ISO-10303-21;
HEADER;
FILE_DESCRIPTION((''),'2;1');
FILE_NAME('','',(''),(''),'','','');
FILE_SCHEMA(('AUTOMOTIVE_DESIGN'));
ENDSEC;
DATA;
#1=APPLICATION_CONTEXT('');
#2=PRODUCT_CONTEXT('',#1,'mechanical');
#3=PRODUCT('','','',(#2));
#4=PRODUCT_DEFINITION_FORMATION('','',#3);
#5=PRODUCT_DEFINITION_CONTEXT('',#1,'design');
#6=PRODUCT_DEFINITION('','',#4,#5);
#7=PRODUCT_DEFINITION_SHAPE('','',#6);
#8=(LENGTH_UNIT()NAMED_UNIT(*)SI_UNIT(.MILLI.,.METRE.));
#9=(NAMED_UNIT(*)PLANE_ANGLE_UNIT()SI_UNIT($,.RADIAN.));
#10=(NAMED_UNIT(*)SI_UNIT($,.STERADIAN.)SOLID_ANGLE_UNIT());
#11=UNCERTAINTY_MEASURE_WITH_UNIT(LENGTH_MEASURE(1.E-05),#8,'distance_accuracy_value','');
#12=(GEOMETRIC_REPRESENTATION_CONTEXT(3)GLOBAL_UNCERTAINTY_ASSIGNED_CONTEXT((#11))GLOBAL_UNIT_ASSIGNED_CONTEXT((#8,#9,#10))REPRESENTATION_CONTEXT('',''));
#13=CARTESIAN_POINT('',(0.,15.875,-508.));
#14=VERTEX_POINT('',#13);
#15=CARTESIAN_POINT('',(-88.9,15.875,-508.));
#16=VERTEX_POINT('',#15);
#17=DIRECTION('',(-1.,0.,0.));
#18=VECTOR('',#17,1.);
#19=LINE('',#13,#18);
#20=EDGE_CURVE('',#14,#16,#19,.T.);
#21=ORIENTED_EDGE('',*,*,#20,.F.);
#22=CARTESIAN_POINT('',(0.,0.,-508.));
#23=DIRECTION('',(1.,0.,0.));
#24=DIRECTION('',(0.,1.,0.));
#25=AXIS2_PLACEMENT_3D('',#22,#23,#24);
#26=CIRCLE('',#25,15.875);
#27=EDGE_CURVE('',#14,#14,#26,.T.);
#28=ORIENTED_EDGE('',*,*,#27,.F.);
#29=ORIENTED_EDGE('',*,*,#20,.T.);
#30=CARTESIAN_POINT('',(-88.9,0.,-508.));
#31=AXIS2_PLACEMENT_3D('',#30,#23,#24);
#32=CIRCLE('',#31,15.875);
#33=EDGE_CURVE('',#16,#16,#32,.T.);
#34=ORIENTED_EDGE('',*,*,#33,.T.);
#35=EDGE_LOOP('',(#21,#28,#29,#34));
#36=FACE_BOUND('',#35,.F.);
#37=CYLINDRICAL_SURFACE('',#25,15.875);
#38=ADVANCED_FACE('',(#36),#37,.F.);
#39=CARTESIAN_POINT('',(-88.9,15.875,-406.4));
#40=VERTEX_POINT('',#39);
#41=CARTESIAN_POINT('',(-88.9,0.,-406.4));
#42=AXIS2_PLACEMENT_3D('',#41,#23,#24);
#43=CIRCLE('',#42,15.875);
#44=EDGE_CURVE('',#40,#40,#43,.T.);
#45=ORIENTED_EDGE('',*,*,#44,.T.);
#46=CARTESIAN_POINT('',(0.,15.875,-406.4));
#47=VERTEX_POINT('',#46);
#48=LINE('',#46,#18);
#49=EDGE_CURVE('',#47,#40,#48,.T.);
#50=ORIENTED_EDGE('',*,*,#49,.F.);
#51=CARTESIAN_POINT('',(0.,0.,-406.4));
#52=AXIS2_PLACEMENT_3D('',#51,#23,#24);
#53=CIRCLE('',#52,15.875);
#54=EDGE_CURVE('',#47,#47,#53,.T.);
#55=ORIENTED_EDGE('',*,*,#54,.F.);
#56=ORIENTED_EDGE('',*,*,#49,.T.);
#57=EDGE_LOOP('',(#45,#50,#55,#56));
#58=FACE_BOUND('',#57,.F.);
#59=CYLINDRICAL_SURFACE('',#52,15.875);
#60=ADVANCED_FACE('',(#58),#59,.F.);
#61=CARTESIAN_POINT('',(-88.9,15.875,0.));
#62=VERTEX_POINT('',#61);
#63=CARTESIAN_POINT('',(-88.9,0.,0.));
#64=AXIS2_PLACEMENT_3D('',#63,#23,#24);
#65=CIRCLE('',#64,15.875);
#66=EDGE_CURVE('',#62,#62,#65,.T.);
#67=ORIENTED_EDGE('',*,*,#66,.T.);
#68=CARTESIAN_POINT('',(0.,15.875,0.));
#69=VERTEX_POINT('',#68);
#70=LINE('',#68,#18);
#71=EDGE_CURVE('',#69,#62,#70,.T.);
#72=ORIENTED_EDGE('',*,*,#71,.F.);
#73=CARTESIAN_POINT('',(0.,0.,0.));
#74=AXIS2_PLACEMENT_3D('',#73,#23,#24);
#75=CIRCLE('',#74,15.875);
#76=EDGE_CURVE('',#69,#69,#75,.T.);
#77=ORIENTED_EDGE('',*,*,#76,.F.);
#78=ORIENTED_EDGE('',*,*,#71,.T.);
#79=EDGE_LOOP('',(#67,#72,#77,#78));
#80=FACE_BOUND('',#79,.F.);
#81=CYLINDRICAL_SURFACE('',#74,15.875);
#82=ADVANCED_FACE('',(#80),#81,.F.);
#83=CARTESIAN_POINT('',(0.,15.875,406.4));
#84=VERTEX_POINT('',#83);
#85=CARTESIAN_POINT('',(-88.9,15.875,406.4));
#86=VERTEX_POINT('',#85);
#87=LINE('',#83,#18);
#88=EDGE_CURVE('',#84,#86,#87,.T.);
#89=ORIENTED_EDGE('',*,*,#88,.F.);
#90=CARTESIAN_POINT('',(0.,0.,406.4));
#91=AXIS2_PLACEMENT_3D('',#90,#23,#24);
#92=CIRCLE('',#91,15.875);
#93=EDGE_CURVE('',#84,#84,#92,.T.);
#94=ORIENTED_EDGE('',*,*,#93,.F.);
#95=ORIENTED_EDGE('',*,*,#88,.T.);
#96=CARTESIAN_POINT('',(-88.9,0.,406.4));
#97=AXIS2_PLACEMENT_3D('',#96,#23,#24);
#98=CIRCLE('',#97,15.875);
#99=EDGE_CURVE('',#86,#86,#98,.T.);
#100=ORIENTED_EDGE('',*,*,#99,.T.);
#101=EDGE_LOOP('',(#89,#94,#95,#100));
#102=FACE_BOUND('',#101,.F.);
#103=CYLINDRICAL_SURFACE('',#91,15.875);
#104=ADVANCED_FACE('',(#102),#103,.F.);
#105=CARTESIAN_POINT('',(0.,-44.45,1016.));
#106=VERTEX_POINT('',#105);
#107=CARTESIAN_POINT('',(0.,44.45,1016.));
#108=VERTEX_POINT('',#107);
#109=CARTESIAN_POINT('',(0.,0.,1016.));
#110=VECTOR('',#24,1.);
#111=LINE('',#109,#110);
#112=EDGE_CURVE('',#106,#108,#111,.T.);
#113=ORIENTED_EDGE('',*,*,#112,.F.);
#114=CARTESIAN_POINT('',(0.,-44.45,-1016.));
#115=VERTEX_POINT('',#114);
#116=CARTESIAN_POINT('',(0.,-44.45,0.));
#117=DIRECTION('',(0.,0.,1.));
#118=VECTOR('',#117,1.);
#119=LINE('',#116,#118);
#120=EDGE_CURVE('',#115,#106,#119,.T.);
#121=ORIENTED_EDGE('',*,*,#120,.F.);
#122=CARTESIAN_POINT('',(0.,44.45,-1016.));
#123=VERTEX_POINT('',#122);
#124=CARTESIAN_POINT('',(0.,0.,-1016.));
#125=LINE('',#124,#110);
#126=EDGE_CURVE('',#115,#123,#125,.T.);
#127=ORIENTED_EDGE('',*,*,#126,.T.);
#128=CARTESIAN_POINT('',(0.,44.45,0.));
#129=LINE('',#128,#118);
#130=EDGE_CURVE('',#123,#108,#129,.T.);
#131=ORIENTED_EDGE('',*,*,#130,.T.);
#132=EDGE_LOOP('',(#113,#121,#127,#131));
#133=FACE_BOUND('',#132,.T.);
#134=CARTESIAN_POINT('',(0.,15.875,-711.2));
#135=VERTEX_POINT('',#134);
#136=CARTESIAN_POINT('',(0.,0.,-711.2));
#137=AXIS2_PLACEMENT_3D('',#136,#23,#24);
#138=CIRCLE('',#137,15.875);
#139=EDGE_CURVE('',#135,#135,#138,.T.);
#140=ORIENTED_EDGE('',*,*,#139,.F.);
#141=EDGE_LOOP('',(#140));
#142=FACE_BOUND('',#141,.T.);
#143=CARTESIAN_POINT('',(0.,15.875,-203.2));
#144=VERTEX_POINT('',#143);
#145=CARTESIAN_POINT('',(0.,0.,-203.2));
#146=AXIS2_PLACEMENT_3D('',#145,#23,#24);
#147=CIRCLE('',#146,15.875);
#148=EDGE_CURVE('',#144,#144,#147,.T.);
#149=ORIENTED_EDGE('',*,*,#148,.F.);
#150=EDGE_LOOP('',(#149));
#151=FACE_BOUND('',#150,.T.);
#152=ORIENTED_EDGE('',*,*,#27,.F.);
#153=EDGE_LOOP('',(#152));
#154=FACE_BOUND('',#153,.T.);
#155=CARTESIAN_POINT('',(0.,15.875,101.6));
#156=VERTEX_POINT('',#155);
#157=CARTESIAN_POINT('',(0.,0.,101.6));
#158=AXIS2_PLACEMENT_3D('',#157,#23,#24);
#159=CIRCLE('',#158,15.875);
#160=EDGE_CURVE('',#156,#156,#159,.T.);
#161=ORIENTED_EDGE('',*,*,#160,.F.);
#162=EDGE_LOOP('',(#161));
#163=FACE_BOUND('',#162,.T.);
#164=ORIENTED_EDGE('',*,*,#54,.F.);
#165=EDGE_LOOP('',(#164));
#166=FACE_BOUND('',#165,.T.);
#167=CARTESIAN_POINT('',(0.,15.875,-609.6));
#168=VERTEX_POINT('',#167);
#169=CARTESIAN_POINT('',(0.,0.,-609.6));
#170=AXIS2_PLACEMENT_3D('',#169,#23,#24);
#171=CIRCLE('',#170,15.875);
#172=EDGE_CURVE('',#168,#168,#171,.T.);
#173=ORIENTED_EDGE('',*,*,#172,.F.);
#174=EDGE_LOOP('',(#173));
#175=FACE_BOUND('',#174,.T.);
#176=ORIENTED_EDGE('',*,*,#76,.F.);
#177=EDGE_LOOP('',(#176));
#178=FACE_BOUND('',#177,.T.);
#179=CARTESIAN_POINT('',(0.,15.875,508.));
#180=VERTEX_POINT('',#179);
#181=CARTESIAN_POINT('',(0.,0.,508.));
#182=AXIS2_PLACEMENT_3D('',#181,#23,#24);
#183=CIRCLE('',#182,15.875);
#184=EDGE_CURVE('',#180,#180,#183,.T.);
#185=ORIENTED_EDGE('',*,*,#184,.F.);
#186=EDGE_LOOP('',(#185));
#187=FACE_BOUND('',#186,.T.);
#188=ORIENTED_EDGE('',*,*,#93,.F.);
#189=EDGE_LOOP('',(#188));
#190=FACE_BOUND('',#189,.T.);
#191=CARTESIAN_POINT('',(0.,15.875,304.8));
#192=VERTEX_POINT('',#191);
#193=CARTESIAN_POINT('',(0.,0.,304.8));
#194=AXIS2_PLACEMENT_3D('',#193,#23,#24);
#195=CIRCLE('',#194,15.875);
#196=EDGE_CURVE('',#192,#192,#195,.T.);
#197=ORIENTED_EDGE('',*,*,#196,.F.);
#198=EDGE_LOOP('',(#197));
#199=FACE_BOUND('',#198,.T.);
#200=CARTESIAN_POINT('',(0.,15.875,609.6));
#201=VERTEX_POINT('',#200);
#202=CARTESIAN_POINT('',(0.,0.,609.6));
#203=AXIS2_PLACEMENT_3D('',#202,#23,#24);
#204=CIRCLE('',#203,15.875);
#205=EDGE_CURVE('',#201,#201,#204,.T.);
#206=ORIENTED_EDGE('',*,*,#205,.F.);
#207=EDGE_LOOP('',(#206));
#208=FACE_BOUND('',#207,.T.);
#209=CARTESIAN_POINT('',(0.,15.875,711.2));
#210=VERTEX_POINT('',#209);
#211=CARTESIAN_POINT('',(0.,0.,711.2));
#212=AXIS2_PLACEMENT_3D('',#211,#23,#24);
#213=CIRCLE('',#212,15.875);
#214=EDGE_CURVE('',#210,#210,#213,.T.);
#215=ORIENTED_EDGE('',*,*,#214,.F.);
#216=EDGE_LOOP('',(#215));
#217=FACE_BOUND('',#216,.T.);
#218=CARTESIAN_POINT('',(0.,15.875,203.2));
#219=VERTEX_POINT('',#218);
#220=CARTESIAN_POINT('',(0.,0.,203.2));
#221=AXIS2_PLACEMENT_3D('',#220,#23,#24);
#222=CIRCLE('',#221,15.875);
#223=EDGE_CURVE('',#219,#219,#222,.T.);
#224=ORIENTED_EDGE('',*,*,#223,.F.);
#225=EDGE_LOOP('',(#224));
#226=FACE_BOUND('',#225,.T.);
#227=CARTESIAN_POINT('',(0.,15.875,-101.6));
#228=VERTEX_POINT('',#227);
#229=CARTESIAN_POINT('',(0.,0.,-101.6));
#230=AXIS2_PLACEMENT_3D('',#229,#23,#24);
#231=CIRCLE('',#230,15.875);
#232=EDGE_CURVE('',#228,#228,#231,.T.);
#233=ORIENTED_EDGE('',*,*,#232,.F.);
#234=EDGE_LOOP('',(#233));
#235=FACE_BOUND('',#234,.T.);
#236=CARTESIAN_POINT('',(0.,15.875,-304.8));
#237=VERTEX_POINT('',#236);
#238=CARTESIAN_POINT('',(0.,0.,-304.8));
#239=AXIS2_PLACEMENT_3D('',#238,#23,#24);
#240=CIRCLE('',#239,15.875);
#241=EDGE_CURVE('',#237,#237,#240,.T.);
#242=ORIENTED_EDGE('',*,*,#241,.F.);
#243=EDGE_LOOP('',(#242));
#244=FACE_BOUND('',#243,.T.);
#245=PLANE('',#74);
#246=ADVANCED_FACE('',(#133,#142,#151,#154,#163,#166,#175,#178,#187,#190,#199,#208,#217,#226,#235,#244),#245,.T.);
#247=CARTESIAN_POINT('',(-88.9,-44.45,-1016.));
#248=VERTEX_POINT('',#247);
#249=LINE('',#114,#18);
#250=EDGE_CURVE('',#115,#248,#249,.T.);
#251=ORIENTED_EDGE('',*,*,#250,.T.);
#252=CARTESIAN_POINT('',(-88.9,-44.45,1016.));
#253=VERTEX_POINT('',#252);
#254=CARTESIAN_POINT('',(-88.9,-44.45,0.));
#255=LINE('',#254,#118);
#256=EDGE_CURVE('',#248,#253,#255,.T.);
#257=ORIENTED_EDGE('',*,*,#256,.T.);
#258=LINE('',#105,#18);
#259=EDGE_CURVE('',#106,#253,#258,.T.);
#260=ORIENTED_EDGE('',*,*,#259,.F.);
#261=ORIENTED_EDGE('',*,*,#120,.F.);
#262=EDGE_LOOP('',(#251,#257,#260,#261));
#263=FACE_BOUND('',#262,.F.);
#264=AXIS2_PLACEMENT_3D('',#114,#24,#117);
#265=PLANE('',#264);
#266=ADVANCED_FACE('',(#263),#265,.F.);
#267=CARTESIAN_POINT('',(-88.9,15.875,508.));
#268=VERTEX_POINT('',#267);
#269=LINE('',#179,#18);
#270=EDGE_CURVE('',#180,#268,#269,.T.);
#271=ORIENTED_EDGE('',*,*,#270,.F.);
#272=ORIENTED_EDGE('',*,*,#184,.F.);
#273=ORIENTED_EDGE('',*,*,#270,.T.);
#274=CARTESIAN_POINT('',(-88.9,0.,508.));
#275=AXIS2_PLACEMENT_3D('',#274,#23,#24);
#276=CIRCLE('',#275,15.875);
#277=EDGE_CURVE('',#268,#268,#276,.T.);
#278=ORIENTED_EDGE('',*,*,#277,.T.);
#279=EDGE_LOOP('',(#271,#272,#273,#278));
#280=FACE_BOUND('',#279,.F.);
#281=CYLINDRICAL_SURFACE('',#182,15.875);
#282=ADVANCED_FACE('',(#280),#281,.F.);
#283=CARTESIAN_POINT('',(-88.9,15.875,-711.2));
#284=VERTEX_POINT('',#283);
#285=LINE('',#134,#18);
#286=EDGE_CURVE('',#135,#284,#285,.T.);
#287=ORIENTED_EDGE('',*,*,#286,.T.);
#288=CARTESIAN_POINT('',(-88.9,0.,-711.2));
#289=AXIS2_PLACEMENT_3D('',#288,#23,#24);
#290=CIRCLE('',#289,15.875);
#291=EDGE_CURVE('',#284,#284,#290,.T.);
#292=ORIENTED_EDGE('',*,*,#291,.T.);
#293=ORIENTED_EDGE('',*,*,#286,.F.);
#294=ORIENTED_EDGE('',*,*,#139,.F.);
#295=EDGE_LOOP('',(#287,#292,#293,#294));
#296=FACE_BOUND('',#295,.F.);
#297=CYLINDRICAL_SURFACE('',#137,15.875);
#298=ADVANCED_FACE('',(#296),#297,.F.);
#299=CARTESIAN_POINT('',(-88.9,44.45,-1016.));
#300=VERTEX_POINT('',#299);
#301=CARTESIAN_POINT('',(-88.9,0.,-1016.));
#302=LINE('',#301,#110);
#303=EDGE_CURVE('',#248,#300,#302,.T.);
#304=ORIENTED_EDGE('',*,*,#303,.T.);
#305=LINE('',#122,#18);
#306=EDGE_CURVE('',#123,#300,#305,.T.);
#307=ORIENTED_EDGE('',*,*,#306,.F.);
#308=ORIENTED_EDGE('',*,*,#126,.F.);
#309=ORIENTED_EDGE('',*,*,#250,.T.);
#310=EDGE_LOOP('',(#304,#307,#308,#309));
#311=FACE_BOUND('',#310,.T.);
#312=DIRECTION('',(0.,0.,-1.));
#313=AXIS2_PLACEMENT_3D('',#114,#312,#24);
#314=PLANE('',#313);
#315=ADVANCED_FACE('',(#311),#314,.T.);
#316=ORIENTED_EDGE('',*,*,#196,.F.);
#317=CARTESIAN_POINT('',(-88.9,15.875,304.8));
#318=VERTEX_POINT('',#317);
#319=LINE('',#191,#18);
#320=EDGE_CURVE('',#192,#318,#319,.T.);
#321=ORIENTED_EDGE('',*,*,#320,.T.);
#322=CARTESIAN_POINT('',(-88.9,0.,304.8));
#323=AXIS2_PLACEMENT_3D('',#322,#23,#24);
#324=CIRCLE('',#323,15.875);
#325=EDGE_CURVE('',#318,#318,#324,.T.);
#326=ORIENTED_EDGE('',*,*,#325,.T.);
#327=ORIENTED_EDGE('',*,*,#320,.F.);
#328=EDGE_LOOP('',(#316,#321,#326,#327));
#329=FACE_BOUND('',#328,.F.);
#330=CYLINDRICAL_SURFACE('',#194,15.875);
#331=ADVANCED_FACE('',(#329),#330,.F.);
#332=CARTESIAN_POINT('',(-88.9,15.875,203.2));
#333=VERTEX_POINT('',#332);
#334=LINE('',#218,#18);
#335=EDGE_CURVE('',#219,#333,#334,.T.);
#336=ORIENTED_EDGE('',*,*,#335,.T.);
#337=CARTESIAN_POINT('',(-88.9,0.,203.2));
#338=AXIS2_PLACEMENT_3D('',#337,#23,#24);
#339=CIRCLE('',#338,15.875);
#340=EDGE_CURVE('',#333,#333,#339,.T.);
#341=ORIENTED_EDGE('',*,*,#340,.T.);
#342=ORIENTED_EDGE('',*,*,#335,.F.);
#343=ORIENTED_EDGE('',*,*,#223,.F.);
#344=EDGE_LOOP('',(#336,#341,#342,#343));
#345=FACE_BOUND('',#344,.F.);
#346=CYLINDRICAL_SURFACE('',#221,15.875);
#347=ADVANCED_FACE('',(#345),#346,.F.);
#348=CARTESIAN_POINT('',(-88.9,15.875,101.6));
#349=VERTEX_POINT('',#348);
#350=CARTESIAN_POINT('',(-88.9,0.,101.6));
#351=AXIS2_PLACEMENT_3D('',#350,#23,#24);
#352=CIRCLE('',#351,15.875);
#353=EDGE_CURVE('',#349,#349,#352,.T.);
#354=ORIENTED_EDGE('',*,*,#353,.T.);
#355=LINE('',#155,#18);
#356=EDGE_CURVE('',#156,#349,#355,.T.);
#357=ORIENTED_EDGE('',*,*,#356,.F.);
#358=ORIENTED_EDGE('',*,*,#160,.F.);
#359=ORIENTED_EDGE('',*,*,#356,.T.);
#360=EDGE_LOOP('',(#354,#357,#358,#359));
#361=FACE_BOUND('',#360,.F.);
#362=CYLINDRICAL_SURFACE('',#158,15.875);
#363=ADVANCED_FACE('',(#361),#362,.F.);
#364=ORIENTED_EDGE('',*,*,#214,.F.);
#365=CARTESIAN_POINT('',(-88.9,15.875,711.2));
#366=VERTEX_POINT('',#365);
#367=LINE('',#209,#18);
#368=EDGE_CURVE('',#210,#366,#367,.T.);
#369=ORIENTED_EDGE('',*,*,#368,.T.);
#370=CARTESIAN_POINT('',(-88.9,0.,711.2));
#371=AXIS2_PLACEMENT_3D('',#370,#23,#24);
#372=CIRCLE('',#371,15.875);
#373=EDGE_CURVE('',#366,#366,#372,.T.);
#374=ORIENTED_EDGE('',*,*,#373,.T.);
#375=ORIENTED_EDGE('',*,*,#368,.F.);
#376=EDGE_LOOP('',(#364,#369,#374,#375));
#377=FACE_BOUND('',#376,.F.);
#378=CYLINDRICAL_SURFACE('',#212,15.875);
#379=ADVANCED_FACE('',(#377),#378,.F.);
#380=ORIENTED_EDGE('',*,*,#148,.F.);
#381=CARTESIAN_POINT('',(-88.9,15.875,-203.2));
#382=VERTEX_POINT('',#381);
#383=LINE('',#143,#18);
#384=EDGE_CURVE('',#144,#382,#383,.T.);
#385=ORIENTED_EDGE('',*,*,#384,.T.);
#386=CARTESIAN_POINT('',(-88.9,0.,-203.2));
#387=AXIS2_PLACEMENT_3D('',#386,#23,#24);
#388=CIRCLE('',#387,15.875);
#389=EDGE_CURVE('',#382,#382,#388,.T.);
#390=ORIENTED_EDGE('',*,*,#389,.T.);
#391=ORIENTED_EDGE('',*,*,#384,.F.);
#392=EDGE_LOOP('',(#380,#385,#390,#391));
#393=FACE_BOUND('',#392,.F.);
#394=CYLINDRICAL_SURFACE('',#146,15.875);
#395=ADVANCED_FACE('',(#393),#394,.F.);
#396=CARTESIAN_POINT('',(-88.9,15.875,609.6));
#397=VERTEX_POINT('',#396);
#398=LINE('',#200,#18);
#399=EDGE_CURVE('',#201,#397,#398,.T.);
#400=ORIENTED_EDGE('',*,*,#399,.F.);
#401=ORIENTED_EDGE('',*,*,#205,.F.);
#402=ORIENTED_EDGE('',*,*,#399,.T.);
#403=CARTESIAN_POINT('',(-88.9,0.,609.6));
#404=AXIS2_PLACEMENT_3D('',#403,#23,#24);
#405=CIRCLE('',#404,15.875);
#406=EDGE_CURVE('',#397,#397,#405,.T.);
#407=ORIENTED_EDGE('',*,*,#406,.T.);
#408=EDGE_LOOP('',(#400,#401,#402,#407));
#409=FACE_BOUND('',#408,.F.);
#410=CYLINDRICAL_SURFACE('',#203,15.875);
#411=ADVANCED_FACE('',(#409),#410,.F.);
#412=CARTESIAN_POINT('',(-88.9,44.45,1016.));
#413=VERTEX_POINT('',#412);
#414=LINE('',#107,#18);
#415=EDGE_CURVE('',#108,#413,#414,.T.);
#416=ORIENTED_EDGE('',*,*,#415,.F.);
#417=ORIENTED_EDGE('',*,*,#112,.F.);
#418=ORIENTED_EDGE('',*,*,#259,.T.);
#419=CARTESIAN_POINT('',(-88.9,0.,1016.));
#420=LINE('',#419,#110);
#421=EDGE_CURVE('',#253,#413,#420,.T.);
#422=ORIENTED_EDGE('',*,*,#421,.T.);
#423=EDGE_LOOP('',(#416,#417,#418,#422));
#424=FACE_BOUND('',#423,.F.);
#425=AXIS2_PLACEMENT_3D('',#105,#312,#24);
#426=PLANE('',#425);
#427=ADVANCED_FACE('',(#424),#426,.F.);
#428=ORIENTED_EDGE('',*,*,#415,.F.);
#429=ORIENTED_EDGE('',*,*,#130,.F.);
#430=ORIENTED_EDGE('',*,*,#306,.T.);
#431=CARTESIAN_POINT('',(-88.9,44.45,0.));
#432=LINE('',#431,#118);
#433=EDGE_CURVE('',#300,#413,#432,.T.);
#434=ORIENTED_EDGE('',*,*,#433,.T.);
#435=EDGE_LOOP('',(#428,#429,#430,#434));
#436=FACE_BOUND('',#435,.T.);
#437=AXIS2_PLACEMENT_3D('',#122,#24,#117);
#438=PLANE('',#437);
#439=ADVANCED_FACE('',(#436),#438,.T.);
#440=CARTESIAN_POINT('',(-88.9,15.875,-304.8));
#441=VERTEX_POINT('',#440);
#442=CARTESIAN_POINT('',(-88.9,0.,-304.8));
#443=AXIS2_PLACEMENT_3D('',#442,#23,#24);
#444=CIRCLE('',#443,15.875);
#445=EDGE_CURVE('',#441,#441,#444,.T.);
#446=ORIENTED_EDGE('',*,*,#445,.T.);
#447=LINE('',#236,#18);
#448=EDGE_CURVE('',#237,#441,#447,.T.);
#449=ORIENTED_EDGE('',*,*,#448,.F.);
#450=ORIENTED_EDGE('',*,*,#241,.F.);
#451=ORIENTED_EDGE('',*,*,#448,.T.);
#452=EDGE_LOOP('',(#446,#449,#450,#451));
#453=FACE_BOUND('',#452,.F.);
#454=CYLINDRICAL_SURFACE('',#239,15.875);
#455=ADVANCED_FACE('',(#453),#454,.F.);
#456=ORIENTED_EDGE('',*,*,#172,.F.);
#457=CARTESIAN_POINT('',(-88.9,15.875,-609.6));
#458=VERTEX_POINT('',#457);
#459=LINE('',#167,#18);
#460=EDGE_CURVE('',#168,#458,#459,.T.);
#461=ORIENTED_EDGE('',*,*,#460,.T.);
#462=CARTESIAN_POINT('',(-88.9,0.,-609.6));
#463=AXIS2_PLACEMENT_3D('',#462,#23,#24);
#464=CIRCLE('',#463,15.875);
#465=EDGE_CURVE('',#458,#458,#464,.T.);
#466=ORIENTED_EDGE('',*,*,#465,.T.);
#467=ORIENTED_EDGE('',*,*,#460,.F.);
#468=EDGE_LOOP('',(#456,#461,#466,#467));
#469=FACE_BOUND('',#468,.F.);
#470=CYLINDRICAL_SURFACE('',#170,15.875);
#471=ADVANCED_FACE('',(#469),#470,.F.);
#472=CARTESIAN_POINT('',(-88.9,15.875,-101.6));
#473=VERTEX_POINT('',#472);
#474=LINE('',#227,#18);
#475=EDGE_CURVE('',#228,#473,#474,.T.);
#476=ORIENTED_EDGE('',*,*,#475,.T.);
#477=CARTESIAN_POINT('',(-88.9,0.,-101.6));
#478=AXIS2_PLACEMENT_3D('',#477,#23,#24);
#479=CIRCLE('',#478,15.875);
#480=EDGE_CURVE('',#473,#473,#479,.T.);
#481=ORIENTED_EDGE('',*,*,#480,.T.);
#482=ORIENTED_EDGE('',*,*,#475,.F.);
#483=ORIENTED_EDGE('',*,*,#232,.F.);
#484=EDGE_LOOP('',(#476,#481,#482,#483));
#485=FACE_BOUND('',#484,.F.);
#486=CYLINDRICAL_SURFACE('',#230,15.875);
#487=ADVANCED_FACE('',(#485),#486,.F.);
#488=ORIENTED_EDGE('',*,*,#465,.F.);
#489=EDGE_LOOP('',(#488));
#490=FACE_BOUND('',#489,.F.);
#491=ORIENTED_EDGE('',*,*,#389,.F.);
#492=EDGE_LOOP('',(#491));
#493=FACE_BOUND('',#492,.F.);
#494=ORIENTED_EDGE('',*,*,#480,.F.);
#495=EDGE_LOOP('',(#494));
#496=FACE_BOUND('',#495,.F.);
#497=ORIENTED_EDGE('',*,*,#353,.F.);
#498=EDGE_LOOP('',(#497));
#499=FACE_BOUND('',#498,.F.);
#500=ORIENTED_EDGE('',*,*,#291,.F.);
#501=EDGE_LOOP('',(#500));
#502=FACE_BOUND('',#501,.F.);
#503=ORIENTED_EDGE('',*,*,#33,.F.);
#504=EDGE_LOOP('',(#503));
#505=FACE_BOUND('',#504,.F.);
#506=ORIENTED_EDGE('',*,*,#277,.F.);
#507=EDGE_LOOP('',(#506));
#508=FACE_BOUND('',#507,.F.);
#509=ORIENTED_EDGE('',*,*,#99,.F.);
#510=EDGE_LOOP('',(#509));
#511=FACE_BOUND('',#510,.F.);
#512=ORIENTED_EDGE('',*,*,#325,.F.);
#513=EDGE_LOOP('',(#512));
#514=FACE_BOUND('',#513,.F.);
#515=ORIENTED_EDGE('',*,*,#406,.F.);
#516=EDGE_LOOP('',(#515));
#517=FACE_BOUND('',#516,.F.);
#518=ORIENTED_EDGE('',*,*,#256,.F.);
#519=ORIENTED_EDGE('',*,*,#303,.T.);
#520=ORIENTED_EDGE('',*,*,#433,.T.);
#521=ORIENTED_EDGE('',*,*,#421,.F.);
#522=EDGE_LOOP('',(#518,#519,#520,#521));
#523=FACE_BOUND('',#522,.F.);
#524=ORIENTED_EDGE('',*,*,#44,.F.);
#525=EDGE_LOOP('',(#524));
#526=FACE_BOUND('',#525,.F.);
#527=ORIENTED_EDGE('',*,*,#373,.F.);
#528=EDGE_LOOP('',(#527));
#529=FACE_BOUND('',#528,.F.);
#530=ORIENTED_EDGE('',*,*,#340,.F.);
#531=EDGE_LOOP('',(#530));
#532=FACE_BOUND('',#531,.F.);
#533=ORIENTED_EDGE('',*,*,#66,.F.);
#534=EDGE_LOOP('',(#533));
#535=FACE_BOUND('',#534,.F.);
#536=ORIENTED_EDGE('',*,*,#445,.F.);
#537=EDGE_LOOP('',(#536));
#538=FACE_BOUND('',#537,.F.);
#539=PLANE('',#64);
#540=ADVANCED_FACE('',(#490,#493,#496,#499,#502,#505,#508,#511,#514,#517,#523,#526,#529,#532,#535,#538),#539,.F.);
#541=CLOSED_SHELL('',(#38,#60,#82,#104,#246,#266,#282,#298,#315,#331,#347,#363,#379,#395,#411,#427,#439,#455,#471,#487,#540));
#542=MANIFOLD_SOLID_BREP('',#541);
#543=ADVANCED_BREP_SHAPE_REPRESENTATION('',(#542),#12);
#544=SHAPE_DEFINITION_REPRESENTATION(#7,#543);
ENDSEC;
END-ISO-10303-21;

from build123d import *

# Parameters (mm, degrees)
F0_W     = 88.9
F0_H     = 2032
F0_R     = 15.875
F1_DEPTH = 88.9


with BuildPart() as f1:
    # F0 (on Right) → F1 (new body)
    with BuildSketch(Plane.YZ):
        Rectangle(F0_W, F0_H)
        with Locations((0, -711.2)):
            Circle(F0_R, mode=Mode.SUBTRACT)
        with Locations((0, -609.6)):
            Circle(F0_R, mode=Mode.SUBTRACT)
        with Locations((0, -508)):
            Circle(F0_R, mode=Mode.SUBTRACT)
        with Locations((0, -406.4)):
            Circle(F0_R, mode=Mode.SUBTRACT)
        with Locations((0, -304.8)):
            Circle(F0_R, mode=Mode.SUBTRACT)
        with Locations((0, -203.2)):
            Circle(F0_R, mode=Mode.SUBTRACT)
        with Locations((0, -101.6)):
            Circle(F0_R, mode=Mode.SUBTRACT)
        Circle(F0_R, mode=Mode.SUBTRACT)
        with Locations((0, 101.6)):
            Circle(F0_R, mode=Mode.SUBTRACT)
        with Locations((0, 203.2)):
            Circle(F0_R, mode=Mode.SUBTRACT)
        with Locations((0, 304.8)):
            Circle(F0_R, mode=Mode.SUBTRACT)
        with Locations((0, 406.4)):
            Circle(F0_R, mode=Mode.SUBTRACT)
        with Locations((0, 508)):
            Circle(F0_R, mode=Mode.SUBTRACT)
        with Locations((0, 609.6)):
            Circle(F0_R, mode=Mode.SUBTRACT)
        with Locations((0, 711.2)):
            Circle(F0_R, mode=Mode.SUBTRACT)
    extrude(amount=-F1_DEPTH)


solid = f1.part
